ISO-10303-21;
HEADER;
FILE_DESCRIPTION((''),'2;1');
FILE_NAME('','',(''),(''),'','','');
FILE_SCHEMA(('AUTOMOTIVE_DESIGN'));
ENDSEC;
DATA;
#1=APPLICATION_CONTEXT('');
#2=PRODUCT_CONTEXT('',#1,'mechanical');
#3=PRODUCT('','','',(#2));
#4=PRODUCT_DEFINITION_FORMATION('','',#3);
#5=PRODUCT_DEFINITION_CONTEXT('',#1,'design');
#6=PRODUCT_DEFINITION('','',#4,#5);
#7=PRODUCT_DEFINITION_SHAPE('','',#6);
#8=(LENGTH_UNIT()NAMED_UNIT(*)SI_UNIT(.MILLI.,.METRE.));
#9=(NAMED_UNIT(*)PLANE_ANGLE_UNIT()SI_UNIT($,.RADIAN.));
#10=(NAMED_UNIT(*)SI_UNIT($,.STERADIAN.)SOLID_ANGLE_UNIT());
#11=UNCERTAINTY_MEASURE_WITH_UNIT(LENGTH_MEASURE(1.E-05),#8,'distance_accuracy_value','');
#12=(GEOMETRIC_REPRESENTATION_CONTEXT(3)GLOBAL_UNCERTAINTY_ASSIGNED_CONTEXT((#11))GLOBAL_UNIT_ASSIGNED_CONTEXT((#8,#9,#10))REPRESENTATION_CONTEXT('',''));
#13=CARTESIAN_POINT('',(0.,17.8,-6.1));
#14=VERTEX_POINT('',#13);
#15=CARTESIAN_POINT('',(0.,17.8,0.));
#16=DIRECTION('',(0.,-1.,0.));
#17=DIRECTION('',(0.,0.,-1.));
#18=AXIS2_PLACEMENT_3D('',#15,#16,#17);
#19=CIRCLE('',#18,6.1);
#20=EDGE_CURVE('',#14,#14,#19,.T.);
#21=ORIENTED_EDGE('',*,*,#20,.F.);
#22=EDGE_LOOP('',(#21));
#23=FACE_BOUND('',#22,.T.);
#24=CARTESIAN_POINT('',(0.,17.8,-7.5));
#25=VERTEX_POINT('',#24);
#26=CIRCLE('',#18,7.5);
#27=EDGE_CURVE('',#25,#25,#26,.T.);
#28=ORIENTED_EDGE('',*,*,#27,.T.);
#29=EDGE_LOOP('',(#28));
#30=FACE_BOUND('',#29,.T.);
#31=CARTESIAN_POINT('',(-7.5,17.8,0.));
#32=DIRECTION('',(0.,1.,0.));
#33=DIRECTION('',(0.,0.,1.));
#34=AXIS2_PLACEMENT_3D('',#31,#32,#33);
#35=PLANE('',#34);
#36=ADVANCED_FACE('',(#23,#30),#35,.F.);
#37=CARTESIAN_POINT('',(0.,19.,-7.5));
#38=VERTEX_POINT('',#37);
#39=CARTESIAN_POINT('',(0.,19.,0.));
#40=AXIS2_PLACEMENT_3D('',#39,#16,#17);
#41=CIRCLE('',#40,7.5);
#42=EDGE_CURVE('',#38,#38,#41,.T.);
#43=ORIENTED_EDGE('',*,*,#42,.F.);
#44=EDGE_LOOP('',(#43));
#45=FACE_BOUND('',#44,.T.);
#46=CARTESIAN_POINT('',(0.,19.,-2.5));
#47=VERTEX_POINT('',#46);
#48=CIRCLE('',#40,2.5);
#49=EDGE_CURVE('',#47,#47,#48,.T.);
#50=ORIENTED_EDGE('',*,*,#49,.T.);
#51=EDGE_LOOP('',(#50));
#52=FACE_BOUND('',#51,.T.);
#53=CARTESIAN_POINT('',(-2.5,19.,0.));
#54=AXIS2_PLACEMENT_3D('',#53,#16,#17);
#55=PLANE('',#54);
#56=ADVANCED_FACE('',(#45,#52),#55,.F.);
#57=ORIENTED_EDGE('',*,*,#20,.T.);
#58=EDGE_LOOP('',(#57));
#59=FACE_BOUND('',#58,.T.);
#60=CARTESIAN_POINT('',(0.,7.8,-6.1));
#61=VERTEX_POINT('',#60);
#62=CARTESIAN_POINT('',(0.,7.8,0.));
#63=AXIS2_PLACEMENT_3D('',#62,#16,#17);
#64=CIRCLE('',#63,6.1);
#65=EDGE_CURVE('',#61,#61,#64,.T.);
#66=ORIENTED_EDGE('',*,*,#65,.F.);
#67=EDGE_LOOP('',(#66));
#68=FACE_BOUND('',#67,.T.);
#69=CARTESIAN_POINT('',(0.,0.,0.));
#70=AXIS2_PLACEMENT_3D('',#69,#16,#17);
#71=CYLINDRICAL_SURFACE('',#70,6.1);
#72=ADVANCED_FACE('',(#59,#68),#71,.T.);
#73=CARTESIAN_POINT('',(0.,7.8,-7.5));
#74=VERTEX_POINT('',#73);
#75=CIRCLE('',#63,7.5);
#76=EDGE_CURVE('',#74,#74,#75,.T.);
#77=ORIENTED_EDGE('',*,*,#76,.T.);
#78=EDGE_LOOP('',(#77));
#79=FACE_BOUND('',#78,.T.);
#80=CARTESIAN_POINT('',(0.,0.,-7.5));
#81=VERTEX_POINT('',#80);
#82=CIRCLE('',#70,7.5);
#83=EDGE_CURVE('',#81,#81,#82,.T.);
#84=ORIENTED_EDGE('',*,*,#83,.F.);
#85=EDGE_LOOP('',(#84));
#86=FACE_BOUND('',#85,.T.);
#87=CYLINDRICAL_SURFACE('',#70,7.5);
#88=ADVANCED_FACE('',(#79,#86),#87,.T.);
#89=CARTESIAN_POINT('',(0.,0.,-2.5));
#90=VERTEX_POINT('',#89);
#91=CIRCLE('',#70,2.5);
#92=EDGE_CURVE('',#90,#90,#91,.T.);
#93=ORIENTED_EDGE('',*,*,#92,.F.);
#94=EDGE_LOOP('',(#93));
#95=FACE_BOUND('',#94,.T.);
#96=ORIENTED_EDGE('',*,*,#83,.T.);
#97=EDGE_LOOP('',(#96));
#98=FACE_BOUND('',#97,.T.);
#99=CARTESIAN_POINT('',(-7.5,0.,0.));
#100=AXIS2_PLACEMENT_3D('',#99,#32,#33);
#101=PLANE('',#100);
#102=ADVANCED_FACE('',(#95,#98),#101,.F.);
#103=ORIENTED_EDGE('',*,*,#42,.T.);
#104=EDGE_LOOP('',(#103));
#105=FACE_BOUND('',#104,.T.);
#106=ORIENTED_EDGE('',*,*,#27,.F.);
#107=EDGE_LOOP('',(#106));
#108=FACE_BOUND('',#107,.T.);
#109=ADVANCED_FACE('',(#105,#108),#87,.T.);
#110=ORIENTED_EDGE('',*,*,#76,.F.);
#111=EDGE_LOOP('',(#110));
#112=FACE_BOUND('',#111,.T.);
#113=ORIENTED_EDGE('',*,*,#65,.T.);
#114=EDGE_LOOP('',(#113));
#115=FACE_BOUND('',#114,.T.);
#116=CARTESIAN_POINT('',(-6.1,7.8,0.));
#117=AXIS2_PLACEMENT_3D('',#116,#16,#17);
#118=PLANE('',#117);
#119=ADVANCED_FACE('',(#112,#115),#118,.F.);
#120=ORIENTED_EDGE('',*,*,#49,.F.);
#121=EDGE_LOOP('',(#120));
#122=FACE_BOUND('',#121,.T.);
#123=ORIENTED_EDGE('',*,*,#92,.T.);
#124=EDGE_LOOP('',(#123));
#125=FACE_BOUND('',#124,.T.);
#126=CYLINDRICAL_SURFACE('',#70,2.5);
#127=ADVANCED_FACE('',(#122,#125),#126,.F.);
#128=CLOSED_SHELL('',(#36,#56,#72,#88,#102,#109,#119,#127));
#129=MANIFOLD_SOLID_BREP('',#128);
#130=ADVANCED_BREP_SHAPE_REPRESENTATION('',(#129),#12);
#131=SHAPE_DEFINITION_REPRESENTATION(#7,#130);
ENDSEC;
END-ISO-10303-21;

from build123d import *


with BuildPart() as part:
    # Sketch1 → Revolve1 (revolve)
    with BuildSketch(Plane.XY, mode=Mode.PRIVATE) as revolve1_sk:
        Polygon((-2.5, 0), (-2.5, 19), (-7.5, 19), (-7.5, 17.8), (-6.1, 17.8), (-6.1, 7.8), (-7.5, 7.8), (-7.5, 0), align=None)
    revolve(revolve1_sk.sketch.rotate(Axis((0, 0, 0), (0, 1, 0)), 270), axis=Axis((0, 0, 0), (0, 1, 0)))


solid = part.part
